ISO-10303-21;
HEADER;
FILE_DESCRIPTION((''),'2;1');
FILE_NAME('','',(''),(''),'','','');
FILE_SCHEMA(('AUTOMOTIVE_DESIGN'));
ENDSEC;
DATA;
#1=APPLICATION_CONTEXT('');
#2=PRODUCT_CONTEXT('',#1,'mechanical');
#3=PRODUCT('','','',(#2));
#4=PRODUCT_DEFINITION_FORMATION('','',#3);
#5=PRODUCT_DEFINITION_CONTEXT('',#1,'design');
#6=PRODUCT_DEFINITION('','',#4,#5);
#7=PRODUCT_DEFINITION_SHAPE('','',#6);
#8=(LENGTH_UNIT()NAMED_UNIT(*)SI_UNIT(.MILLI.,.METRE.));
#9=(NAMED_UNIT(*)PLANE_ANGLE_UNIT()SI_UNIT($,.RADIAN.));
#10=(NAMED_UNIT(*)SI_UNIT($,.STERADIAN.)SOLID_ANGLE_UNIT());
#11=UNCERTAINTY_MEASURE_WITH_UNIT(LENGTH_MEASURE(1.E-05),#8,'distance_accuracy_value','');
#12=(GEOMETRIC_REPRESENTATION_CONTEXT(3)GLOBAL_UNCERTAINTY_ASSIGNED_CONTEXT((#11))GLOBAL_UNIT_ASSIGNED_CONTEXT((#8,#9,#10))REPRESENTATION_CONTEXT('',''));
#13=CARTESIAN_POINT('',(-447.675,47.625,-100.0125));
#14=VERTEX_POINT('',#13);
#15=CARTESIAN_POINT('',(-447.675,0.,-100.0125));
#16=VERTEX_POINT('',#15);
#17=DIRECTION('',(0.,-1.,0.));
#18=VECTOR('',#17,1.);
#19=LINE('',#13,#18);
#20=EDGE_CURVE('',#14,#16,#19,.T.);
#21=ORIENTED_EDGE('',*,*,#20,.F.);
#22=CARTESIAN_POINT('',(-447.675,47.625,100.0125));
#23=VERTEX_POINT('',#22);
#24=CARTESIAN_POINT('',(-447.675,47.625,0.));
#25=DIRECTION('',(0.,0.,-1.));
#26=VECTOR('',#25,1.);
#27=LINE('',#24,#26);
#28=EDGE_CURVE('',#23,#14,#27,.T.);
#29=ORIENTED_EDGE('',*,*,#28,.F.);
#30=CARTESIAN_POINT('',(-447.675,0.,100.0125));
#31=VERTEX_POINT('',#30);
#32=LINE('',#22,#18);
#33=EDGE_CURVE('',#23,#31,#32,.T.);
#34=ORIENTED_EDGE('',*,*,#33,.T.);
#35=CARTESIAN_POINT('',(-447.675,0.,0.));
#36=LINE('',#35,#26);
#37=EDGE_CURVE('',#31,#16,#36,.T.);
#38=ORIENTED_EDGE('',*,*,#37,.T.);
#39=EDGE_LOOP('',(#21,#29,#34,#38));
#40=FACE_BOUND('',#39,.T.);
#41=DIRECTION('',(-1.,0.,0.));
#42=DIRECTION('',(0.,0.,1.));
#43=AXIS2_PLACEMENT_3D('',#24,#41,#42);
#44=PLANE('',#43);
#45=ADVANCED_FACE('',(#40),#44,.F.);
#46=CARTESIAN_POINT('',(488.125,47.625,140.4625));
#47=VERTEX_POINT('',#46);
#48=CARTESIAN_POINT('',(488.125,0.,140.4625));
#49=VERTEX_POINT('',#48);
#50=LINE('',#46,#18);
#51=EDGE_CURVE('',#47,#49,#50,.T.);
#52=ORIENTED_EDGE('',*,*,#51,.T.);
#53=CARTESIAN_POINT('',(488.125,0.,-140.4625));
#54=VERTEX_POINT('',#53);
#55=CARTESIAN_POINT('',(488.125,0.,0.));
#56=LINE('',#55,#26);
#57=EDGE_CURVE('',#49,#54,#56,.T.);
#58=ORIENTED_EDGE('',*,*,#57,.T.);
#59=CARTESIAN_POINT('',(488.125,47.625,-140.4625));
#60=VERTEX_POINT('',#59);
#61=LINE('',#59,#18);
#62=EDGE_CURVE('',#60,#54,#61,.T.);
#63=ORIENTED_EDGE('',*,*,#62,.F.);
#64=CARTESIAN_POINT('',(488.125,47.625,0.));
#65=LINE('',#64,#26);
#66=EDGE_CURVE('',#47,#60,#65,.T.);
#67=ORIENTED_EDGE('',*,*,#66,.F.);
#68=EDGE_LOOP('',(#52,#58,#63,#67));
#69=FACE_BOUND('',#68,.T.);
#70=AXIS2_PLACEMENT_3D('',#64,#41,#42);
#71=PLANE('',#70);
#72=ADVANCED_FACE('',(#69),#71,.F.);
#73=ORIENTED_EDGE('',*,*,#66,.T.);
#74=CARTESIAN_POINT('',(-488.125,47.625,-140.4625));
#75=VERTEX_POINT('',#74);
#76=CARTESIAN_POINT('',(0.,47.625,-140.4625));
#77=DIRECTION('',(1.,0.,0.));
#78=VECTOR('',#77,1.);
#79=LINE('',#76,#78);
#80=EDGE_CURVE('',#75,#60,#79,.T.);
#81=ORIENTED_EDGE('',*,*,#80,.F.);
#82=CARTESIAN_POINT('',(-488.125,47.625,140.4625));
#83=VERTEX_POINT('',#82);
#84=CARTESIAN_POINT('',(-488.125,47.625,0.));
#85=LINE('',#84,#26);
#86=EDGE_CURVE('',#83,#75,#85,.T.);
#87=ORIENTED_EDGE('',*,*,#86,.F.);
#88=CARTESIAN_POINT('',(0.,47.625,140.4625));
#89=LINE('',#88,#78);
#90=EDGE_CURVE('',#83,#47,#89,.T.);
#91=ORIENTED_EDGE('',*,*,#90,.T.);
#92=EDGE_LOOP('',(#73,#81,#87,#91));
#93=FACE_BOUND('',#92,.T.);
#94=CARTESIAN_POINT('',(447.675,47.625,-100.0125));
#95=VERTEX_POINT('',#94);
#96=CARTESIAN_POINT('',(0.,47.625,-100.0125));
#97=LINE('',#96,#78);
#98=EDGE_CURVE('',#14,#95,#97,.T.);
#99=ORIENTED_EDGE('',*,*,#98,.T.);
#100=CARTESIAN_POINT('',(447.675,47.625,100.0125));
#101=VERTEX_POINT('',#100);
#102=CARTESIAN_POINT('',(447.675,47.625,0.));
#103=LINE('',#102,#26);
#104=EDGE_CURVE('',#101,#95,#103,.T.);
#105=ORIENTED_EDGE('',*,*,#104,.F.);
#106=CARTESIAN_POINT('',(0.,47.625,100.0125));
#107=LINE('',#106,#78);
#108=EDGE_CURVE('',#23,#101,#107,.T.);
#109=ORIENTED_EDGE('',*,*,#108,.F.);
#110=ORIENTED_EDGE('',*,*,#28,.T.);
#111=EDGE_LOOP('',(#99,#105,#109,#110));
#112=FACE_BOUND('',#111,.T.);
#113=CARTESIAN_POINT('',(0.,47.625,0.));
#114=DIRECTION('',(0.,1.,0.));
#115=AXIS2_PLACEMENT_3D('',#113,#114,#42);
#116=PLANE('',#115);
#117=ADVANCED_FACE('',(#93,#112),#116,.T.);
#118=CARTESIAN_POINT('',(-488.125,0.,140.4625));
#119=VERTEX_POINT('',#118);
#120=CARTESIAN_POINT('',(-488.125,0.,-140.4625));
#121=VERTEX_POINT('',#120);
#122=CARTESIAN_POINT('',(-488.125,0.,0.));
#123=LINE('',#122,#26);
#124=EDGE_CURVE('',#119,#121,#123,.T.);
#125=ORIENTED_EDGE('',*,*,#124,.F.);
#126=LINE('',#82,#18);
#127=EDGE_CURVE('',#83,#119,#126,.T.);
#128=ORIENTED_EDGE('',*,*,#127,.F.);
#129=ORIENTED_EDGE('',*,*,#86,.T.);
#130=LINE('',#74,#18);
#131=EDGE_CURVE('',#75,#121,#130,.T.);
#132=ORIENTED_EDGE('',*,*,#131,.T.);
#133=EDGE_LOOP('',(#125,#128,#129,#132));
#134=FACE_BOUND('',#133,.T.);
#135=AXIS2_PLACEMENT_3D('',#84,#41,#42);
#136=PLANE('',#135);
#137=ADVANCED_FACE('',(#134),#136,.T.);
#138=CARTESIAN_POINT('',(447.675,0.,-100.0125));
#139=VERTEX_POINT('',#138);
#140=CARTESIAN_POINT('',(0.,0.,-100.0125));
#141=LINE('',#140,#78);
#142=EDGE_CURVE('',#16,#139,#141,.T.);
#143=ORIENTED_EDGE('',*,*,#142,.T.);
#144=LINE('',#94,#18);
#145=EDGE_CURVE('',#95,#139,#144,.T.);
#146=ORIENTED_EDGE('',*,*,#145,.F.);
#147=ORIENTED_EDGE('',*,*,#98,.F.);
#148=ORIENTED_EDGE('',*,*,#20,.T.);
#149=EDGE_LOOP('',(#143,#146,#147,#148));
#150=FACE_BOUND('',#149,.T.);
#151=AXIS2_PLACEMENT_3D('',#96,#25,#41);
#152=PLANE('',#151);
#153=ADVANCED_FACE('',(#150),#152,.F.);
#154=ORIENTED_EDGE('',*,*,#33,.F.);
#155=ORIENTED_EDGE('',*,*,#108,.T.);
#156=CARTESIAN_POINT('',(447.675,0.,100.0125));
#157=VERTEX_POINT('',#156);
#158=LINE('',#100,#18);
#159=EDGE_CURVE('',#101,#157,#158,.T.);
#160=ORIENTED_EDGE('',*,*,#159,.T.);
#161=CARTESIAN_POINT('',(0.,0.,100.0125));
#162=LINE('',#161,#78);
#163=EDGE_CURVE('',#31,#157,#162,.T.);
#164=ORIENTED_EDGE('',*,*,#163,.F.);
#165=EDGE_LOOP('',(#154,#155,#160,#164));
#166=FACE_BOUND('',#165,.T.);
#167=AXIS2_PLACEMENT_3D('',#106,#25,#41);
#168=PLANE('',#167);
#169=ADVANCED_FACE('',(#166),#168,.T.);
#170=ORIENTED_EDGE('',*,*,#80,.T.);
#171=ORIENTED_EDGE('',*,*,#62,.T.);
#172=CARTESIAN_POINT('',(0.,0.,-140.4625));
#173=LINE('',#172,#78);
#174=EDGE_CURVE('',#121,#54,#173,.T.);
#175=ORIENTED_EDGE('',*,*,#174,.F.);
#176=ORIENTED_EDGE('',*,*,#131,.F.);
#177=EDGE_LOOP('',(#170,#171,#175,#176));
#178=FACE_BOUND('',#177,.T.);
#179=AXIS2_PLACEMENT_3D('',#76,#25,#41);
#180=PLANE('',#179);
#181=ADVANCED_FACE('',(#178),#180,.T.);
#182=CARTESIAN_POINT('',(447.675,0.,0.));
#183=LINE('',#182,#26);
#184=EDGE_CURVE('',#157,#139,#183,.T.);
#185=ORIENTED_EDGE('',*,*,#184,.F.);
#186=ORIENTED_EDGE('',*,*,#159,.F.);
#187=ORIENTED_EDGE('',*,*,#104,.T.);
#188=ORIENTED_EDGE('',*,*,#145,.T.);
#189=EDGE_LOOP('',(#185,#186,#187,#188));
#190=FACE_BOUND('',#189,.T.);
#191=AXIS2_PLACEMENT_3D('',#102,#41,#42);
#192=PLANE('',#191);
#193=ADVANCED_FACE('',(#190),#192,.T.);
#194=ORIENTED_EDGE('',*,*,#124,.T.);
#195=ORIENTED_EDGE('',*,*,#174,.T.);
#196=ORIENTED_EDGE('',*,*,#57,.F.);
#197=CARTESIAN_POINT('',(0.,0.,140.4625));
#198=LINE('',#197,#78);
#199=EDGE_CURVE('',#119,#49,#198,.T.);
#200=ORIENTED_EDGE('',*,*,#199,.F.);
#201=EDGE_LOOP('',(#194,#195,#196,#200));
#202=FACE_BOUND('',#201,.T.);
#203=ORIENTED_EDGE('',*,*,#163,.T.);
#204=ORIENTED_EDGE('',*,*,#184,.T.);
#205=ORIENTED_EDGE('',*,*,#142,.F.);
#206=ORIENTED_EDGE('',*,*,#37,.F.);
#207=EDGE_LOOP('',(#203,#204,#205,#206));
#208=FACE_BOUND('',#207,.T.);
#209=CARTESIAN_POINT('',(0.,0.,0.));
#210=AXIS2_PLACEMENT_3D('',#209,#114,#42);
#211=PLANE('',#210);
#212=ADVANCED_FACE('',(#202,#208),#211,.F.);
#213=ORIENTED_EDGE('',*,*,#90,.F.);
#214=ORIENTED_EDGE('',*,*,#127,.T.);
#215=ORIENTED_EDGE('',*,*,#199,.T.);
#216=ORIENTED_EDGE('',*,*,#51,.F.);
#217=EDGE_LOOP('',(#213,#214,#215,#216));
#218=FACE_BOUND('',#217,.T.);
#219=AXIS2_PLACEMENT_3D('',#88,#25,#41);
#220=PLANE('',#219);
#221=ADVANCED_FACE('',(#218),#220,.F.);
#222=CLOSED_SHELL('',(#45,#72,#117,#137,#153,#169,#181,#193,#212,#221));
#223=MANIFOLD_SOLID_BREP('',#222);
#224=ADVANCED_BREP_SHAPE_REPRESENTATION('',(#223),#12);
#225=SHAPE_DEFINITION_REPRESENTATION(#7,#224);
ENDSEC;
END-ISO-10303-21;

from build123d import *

# Parameters (mm, degrees)
CROQUIS1_W              = 976.25
CROQUIS1_H              = 280.925
CROQUIS1_W_2            = 895.35
CROQUIS1_H_2            = 200.025
SALIENTE_EXTRUIR1_DEPTH = 47.625


with BuildPart() as part:
    # Croquis1 → Saliente-Extruir1 (new body)
    with BuildSketch(Plane(origin=(0, 0, 0), x_dir=(1, 0, 0), z_dir=(0, 1, 0))):
        Rectangle(CROQUIS1_W, CROQUIS1_H)
        Rectangle(CROQUIS1_W_2, CROQUIS1_H_2, mode=Mode.SUBTRACT)
    extrude(amount=SALIENTE_EXTRUIR1_DEPTH)


solid = part.part
